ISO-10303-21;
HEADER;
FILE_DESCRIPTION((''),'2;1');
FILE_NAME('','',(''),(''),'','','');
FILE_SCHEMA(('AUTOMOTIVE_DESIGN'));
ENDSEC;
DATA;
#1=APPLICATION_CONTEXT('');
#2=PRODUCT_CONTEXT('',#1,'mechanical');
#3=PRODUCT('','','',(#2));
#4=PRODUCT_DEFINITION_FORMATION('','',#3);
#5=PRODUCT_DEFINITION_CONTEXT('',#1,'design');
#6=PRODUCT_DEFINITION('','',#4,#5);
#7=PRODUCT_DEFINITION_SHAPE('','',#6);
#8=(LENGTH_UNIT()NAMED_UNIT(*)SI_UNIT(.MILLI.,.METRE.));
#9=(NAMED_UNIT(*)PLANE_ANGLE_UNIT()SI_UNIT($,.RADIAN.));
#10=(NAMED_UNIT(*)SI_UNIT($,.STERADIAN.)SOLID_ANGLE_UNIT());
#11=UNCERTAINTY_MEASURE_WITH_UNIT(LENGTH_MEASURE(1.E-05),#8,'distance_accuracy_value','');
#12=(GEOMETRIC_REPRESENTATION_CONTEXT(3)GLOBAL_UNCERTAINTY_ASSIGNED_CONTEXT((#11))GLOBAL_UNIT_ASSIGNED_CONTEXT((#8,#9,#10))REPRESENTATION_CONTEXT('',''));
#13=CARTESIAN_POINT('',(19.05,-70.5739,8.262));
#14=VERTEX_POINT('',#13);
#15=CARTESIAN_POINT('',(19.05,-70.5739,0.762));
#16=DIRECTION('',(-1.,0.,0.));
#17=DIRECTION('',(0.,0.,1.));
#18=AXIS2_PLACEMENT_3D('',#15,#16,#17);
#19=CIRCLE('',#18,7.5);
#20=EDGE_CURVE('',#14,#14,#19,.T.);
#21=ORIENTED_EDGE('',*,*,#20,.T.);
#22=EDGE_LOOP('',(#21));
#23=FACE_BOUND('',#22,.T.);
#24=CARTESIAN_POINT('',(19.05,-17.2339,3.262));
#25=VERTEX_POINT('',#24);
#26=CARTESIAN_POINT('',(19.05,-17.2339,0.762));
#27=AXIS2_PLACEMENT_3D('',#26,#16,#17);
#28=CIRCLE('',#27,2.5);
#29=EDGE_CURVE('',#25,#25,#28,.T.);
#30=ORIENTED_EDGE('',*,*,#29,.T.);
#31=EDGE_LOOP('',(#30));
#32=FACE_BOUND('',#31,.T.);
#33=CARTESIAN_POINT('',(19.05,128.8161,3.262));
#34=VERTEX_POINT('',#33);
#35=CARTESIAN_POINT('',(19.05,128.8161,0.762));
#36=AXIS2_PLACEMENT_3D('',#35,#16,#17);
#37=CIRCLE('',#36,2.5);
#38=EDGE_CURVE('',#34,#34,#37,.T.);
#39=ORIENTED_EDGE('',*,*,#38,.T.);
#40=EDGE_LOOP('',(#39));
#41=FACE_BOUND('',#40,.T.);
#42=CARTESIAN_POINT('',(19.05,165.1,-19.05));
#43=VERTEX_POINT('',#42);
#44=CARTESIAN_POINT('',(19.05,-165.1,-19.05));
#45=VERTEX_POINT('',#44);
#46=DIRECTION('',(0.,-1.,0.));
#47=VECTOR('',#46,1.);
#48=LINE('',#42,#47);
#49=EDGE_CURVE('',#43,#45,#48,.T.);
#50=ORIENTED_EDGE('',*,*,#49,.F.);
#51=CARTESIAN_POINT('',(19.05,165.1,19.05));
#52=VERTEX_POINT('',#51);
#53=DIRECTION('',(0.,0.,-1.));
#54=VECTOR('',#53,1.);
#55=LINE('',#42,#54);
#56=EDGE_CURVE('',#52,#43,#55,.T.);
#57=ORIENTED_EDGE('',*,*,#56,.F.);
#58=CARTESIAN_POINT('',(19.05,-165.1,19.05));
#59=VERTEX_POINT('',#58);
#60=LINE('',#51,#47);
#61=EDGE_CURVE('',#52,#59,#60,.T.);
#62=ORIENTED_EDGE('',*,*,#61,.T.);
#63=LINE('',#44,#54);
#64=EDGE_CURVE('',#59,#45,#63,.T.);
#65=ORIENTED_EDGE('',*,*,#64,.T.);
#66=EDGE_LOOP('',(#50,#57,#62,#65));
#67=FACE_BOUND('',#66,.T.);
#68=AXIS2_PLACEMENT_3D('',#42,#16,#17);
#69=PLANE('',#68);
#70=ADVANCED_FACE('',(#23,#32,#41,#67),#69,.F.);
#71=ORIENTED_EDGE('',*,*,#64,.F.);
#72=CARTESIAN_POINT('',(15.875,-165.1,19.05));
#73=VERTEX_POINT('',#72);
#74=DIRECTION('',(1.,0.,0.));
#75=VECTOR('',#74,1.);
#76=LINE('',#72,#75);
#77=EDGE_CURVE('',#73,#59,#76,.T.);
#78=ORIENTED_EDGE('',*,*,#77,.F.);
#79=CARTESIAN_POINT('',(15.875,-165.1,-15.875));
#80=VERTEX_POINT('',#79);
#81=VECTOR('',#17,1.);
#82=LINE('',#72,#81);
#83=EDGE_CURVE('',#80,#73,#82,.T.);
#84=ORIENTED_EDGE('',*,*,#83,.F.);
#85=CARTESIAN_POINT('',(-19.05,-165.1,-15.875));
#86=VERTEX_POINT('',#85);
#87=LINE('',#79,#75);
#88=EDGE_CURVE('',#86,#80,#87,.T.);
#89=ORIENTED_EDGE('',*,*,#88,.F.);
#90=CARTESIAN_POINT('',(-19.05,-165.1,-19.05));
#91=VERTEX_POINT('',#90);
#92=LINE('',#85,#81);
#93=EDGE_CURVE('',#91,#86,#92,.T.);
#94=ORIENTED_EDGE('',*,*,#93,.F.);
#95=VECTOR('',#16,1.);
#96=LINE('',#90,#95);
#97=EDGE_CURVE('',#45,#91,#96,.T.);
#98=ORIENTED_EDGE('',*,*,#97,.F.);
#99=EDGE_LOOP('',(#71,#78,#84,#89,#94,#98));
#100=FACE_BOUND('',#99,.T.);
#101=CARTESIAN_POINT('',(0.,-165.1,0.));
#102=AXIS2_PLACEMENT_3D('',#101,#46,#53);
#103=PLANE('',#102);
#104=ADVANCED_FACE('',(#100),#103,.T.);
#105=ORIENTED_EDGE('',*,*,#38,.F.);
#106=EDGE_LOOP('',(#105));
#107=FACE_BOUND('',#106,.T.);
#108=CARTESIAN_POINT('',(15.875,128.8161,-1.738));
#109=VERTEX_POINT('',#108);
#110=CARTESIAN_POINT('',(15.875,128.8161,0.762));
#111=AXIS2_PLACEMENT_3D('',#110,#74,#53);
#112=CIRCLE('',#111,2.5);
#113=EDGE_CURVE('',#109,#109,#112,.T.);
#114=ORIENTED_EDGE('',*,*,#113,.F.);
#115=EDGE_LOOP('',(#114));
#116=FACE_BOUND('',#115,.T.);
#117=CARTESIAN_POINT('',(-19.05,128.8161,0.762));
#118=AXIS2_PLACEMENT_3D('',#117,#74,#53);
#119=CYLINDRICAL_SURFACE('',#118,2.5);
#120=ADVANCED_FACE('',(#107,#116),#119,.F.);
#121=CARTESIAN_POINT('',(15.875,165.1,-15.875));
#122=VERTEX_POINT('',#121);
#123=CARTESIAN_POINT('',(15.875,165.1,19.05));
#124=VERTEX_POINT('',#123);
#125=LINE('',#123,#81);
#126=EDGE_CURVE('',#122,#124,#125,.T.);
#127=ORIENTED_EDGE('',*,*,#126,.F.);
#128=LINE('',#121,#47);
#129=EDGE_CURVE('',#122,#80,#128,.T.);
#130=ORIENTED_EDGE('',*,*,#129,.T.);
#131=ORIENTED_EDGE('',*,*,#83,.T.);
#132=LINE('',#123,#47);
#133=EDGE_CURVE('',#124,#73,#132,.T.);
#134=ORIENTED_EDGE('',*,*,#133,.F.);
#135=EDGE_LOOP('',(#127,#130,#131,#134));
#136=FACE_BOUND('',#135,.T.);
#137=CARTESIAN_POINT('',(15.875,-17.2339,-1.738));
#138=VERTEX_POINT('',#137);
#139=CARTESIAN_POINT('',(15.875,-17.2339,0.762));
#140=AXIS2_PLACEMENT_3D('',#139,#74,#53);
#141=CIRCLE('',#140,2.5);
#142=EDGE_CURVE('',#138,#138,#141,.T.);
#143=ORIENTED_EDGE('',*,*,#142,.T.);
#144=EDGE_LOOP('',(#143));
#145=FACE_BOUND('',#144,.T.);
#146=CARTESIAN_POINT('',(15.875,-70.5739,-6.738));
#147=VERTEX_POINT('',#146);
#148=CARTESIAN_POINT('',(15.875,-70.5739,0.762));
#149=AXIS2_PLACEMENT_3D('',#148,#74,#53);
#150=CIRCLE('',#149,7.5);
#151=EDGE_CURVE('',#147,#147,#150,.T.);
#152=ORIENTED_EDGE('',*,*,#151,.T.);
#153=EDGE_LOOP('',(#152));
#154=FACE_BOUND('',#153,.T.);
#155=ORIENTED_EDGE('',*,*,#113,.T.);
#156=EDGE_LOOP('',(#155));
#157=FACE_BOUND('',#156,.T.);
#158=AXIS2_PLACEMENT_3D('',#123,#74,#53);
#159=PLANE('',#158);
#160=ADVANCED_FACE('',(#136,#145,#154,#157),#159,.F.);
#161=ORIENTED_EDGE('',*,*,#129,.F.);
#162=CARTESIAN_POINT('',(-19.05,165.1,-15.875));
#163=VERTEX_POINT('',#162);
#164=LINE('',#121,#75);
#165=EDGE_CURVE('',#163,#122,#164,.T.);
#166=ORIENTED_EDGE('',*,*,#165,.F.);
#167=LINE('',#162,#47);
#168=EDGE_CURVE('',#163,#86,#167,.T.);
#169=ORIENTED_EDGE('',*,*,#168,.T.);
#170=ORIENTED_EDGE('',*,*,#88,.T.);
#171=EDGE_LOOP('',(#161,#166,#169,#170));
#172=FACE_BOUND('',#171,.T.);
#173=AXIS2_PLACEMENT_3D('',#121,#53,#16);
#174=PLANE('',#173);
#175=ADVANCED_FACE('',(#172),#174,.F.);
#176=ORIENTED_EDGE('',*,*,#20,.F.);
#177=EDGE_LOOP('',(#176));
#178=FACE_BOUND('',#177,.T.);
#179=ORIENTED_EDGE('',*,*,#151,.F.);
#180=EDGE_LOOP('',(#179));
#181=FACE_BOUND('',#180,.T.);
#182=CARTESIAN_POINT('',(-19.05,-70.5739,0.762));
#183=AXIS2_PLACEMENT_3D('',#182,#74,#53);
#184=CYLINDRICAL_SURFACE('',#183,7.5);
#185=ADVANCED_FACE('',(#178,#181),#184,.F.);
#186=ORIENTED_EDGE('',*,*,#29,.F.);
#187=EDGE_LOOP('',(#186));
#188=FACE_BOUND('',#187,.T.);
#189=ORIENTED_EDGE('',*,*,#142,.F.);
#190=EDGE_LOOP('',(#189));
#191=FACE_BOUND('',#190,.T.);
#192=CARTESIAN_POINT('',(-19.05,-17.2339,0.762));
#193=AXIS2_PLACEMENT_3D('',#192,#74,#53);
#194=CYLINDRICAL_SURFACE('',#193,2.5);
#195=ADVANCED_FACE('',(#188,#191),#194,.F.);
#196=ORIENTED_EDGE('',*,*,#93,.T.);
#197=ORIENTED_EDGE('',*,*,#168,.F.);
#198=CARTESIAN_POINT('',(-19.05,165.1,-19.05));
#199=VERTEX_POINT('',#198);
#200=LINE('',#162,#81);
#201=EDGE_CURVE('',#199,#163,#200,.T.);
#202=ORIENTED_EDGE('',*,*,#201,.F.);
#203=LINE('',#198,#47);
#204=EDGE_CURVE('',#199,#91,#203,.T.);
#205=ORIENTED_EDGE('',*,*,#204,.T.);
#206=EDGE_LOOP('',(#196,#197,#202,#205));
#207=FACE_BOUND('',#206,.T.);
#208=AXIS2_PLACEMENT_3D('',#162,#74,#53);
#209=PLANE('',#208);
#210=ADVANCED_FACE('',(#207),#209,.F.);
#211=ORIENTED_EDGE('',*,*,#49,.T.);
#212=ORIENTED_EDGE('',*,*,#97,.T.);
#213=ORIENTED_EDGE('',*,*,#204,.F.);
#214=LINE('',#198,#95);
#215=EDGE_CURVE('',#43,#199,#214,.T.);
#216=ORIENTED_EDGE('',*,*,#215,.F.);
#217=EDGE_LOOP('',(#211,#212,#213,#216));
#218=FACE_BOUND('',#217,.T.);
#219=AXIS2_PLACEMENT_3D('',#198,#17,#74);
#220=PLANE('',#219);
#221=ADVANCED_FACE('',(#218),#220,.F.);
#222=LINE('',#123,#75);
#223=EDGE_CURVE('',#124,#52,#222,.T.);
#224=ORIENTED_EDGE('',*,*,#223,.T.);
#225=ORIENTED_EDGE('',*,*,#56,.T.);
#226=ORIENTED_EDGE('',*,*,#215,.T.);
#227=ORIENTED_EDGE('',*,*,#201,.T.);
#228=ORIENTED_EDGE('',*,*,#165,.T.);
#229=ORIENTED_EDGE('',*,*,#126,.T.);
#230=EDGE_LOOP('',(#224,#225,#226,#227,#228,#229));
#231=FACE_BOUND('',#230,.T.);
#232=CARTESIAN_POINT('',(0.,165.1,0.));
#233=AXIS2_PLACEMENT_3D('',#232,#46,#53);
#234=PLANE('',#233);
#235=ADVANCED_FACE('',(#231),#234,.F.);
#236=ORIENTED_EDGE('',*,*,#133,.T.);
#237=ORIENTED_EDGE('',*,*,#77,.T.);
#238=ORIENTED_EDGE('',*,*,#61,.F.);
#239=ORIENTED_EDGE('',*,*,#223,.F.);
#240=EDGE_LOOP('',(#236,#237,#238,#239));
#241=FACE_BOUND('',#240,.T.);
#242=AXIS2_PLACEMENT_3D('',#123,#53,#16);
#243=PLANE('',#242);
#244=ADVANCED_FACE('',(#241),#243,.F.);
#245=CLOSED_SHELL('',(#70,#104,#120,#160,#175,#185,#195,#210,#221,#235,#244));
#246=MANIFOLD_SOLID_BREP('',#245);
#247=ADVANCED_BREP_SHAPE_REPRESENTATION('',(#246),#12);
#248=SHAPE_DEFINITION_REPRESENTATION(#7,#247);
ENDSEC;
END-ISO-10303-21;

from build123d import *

# Parameters (mm, degrees)
BOSS_EXTRUDE1_DEPTH     = 165.1
CUT_EXTRUDE1_DEPTH      = 171.506664093
CUT_EXTRUDE1_DEPTH_BACK = 171.506664093
SKETCH2_R               = 2.5
SKETCH2_R_2             = 7.5


with BuildPart() as part:
    # Sketch1 → Boss-Extrude1 (new, symmetric)
    with BuildSketch(Plane(origin=(0, 0, 0), x_dir=(1, 0, 0), z_dir=(0, 1, 0))):
        Polygon((15.875, -19.05), (15.875, 15.875), (-19.05, 15.875), (-19.05, 19.05), (19.05, 19.05), (19.05, -19.05), align=None)
    extrude(amount=BOSS_EXTRUDE1_DEPTH, both=True)

    # Sketch2 → Cut-Extrude1 (cut, two sides: drawn at the far end of the back side and taken through both)
    with BuildSketch(Plane(origin=(19.05, 0, 0), x_dir=(0, 0, -1), z_dir=(1, 0, 0)).offset(-CUT_EXTRUDE1_DEPTH_BACK)):
        with Locations((-32.722, 128.8161)):
            Circle(SKETCH2_R)
        with Locations((-32.722, 201.3839)):
            Circle(SKETCH2_R_2)
        with Locations((-32.722, -17.2339)):
            Circle(SKETCH2_R)
        with Locations((-32.722, -70.5739)):
            Circle(SKETCH2_R_2)
        with Locations((-0.762, -70.5739)):
            Circle(SKETCH2_R_2)
        with Locations((-0.762, 201.3839)):
            Circle(SKETCH2_R_2)
        with Locations((-0.762, 128.8161)):
            Circle(SKETCH2_R)
        with Locations((-0.762, -17.2339)):
            Circle(SKETCH2_R)
    extrude(amount=CUT_EXTRUDE1_DEPTH + CUT_EXTRUDE1_DEPTH_BACK, mode=Mode.SUBTRACT)


solid = part.part
